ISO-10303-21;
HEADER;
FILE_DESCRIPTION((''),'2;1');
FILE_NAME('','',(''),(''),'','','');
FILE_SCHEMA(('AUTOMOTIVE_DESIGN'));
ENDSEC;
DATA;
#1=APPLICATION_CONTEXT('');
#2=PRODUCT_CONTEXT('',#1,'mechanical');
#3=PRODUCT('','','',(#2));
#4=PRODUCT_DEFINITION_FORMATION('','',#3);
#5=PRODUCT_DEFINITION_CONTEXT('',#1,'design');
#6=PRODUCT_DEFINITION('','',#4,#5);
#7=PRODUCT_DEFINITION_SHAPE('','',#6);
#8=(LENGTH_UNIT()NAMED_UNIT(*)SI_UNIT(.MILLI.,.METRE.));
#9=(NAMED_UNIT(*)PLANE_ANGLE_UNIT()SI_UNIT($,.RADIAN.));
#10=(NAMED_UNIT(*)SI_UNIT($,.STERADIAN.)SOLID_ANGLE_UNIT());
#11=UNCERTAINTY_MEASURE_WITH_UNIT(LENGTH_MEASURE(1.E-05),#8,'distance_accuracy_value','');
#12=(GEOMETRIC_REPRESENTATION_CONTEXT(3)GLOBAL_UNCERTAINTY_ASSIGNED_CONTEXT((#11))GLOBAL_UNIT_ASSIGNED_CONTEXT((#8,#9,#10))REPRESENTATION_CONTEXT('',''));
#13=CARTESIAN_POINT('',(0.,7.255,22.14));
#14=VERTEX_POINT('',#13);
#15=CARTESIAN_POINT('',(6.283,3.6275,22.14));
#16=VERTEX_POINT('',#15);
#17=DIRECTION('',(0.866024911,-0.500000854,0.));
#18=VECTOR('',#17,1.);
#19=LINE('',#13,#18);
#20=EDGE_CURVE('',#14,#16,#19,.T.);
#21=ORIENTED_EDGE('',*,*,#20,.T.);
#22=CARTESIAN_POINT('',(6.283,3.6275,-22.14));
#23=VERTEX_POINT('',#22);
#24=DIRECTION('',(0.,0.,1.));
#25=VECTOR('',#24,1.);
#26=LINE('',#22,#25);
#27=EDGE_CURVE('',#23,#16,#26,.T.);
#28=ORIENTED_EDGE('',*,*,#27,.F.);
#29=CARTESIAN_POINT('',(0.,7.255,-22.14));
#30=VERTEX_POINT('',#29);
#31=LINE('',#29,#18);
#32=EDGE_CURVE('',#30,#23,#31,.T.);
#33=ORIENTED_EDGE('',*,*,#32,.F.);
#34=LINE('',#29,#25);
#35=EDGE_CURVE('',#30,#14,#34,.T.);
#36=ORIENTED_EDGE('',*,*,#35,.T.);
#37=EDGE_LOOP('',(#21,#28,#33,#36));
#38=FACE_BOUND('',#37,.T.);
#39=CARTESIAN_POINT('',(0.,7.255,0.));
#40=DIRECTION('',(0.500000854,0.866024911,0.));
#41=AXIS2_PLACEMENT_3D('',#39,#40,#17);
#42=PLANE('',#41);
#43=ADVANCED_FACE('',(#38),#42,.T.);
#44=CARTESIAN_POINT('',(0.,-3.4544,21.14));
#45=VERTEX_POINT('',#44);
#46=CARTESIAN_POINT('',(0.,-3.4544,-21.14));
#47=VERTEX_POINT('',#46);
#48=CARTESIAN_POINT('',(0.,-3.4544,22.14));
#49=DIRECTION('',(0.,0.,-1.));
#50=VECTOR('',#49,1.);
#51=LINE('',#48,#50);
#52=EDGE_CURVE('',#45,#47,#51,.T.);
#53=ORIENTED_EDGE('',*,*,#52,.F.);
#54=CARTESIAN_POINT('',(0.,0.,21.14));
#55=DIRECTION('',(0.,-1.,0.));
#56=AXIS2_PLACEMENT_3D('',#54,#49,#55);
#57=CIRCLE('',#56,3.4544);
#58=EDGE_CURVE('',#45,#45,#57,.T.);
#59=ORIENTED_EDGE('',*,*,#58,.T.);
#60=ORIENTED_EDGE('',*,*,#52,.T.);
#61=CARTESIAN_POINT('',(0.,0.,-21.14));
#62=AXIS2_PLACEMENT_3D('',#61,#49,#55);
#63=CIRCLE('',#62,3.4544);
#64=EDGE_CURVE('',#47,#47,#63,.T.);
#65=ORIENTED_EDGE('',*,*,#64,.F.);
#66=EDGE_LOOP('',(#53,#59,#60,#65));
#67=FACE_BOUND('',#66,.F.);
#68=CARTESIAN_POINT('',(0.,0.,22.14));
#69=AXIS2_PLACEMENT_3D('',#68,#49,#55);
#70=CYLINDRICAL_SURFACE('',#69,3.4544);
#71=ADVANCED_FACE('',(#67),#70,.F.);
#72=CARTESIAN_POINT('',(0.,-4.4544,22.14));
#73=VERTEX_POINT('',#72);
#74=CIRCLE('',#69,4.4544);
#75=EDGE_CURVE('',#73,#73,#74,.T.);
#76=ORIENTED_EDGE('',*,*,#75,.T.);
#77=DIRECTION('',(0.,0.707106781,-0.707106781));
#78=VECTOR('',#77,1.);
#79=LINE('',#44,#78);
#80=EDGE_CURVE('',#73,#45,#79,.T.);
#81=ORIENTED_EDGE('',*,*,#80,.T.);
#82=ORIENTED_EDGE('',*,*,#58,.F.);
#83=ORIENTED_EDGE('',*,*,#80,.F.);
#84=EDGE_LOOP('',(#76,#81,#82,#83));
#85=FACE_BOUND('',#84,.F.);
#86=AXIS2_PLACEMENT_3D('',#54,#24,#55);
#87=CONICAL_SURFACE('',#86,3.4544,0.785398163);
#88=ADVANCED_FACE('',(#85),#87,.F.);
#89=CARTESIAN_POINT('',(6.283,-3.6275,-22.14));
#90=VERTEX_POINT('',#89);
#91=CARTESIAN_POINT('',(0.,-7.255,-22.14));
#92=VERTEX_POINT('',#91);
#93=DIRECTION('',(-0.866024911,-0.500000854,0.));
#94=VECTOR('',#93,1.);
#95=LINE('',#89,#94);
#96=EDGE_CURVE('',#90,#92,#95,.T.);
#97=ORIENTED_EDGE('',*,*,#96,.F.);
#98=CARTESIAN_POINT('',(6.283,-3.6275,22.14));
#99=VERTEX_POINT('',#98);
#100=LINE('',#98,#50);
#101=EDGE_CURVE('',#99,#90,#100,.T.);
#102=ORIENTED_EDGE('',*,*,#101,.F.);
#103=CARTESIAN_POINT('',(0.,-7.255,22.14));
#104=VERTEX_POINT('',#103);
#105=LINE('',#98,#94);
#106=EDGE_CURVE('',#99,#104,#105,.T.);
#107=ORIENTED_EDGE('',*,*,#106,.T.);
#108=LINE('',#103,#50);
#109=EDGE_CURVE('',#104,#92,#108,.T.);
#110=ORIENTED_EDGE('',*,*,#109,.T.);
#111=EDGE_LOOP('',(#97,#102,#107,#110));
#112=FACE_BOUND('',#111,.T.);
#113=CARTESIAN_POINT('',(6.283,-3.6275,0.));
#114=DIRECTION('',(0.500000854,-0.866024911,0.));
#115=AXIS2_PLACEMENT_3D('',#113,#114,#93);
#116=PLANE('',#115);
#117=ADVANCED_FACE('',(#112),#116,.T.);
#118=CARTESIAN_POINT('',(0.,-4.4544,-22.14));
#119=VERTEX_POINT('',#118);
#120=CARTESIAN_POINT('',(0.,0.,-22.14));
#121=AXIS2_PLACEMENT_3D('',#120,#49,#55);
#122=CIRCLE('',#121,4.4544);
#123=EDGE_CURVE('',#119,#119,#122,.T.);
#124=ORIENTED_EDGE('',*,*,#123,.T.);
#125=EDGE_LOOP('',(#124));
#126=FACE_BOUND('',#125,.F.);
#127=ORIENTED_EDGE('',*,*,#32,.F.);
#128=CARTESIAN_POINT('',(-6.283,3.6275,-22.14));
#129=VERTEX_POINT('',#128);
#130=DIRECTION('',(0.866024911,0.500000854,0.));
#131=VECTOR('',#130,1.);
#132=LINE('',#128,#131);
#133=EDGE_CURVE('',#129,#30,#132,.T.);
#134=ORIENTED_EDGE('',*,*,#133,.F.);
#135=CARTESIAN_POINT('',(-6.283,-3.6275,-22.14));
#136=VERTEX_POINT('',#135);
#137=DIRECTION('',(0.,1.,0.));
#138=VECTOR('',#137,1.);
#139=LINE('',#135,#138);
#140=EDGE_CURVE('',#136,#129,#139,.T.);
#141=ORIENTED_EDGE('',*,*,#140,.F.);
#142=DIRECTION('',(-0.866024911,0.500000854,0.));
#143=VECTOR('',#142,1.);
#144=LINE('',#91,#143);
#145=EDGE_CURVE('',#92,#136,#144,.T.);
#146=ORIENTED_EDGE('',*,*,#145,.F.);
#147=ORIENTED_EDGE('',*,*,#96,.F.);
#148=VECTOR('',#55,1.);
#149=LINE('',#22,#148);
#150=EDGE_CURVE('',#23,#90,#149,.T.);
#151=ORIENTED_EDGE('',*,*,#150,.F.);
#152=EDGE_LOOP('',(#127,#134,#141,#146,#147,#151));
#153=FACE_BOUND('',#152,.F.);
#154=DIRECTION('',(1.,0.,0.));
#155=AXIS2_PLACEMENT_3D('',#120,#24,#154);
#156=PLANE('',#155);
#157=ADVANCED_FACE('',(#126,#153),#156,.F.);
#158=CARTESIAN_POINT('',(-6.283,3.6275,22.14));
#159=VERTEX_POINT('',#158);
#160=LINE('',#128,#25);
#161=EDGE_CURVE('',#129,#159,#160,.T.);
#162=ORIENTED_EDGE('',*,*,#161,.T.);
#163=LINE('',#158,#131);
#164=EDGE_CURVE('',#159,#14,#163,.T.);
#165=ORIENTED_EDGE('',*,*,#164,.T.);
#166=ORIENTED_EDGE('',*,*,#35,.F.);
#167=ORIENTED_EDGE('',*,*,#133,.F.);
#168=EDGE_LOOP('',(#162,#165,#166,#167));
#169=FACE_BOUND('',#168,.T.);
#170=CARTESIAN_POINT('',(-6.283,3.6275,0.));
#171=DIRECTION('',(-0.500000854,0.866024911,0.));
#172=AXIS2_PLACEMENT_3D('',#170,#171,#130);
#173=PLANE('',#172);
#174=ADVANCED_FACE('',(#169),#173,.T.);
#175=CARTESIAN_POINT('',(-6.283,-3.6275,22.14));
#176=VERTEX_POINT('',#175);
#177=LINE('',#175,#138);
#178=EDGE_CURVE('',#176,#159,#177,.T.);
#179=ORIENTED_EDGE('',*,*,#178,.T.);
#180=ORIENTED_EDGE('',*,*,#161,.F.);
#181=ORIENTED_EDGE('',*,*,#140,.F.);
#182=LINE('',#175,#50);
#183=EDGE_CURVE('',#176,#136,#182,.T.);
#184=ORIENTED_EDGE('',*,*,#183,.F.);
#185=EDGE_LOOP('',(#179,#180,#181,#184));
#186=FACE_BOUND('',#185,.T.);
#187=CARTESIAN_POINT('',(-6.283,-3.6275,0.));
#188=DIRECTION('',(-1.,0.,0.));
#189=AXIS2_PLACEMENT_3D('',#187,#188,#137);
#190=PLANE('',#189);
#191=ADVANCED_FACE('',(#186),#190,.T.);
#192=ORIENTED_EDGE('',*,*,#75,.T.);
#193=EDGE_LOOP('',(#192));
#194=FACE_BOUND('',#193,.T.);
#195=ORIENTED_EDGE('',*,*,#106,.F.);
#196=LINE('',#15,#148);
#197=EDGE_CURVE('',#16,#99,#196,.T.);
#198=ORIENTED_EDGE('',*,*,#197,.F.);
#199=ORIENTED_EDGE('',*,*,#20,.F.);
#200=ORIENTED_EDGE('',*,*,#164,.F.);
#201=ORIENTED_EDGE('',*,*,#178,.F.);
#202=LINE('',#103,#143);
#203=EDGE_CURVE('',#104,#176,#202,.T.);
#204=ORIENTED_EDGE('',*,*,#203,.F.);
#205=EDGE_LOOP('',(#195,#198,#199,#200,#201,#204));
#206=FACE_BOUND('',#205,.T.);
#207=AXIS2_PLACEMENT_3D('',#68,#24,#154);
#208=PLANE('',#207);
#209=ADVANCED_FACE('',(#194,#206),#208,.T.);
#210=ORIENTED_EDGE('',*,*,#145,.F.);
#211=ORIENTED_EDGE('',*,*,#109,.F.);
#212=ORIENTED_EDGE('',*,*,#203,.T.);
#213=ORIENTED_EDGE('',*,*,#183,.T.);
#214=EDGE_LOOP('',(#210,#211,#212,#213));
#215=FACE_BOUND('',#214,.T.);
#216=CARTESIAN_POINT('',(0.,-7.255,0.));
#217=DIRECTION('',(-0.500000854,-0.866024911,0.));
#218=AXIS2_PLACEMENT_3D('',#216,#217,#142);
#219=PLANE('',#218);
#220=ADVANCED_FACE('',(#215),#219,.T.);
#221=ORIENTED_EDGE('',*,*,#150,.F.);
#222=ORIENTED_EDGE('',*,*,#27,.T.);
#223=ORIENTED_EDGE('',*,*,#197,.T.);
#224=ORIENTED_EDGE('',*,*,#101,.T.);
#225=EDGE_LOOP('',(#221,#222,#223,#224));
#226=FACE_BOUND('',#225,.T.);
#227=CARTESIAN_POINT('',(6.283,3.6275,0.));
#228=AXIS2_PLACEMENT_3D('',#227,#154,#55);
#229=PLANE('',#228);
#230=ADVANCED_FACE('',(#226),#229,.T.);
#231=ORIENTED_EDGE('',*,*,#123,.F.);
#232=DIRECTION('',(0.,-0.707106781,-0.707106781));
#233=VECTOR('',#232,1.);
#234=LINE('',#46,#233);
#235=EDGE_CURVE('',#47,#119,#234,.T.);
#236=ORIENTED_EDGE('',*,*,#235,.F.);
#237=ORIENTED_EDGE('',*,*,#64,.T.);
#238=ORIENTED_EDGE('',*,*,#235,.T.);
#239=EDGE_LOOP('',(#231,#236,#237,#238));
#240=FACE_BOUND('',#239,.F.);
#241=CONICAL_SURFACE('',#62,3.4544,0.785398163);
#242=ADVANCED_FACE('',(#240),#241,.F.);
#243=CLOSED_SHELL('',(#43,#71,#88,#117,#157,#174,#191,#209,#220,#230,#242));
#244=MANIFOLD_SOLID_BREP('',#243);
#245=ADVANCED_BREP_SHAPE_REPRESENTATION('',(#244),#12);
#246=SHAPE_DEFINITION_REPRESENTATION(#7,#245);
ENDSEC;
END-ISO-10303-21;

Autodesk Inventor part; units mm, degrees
ref_plane "YZ Plane" through (0, 0, 0) normal (1, 0, 0) x (0, 1, 0)
ref_plane "XZ Plane" through (0, 0, 0) normal (0, 1, 0) x (-1, 0, 0)
ref_plane "XY Plane" through (0, 0, 0) normal (0, 0, 1) x (1, 0, 0)
sketch "Sketch1" plane through (0, 0, 0) normal (0, 0, 1) x (1, 0, 0)
  circle A0 centre (0, 0) radius 7.255
  line L0 (0, -7.255) -> (-6.283, -3.6275)
  line L1 (-6.283, -3.6275) -> (-6.283, 3.6275)
  line L2 (-6.283, 3.6275) -> (0, 7.255)
  line L3 (0, 7.255) -> (6.283, 3.6275)
  line L4 (6.283, 3.6275) -> (6.283, -3.6275)
  line L5 (6.283, -3.6275) -> (0, -7.255)
  dimension "d0" = 14.51
extrude "Extrusion1" add sketch "Sketch1" along normal mid plane 44.28 contours L4 L5 L0 L1 L2 L3
sketch "Sketch2" plane through (0, 0, 22.14) normal (0, 0, 1) x (1, 0, 0)
  circle A0 centre (0, 0) radius 4.3621
hole "Hole1" at (0, 0, 22.14) direction (0, 0, -1) diameter 6.9088 end through all
chamfer "Chamfer1" distance 1 angle 45 1 edges at (0, 3.4544, 22.14)
chamfer "Chamfer2" distance 1 angle 45 1 edges at (0, 3.4544, -22.14)
properties part number "CNC- Hexagonal Bit"
